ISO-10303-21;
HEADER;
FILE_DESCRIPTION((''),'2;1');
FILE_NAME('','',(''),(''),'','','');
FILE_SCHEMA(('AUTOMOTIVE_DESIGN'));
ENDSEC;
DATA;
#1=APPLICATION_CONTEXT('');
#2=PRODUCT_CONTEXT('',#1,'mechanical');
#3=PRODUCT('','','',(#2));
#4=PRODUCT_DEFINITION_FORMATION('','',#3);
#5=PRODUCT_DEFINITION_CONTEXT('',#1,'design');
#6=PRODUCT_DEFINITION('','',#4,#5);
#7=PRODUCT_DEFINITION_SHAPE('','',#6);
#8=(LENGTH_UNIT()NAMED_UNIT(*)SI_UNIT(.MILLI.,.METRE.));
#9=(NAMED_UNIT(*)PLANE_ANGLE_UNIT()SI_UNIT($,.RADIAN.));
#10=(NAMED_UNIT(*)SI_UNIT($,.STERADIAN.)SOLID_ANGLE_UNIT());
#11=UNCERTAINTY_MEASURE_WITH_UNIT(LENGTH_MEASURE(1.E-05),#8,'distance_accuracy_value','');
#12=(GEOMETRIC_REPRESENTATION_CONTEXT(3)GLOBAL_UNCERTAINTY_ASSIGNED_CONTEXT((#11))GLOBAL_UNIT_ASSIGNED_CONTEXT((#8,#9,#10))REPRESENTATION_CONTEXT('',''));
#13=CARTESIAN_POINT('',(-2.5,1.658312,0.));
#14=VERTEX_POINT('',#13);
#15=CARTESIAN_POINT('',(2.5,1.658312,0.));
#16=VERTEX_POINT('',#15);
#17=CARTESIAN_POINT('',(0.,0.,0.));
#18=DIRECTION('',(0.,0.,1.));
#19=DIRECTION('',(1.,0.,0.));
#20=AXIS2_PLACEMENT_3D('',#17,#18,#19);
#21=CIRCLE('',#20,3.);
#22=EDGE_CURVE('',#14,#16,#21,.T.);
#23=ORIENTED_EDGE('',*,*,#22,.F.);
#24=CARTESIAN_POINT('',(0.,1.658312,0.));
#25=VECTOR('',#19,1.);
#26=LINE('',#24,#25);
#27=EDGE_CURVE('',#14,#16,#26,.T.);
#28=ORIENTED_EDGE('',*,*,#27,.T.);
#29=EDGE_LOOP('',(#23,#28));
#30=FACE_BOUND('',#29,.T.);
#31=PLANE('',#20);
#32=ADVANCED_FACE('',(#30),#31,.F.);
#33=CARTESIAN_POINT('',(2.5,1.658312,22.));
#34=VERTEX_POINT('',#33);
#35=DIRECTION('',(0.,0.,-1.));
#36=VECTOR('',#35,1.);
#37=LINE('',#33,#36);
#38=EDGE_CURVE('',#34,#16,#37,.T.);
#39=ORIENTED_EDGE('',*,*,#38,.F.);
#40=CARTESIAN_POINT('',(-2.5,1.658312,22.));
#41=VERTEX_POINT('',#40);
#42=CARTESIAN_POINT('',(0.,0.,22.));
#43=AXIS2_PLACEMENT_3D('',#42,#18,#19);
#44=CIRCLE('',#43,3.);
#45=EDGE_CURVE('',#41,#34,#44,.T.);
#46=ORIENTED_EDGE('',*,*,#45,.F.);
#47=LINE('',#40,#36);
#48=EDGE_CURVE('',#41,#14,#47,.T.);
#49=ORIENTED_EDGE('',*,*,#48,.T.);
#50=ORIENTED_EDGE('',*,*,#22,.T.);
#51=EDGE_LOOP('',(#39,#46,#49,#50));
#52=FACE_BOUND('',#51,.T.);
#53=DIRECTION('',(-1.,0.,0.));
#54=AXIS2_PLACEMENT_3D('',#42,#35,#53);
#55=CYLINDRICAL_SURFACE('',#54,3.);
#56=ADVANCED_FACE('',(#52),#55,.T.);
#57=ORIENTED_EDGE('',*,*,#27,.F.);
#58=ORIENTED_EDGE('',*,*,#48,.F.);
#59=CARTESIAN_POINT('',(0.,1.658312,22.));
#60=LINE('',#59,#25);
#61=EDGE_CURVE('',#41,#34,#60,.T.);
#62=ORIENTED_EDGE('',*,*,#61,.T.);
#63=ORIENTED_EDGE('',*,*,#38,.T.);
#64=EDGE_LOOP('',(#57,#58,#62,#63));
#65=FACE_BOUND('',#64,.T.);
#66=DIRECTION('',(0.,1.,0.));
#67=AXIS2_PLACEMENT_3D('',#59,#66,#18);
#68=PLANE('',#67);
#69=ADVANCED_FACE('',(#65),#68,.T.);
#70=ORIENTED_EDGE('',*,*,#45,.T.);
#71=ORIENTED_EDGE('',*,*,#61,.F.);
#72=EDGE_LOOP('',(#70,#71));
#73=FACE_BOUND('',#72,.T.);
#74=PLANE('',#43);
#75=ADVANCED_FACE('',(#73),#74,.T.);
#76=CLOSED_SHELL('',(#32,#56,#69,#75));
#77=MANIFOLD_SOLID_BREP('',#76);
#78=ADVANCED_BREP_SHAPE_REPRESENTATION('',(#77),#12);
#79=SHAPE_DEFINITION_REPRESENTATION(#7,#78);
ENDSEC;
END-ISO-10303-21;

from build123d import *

# Parameters (mm, degrees)
EXTRUDE_1_DEPTH = 22


with BuildPart() as part:
    # 草图1 → 凸台-拉伸1 (new body)
    with BuildSketch(Plane.XY):
        with BuildLine():
            Line((2.5, 1.658312395), (-2.5, 1.658312395))
            ThreePointArc((-2.5, 1.658312395), (-0.866025404, -2.872281323), (3, 0))
            ThreePointArc((3, 0), (2.872281323, 0.866025404), (2.5, 1.658312395))
        make_face()
    extrude(amount=EXTRUDE_1_DEPTH)


solid = part.part
